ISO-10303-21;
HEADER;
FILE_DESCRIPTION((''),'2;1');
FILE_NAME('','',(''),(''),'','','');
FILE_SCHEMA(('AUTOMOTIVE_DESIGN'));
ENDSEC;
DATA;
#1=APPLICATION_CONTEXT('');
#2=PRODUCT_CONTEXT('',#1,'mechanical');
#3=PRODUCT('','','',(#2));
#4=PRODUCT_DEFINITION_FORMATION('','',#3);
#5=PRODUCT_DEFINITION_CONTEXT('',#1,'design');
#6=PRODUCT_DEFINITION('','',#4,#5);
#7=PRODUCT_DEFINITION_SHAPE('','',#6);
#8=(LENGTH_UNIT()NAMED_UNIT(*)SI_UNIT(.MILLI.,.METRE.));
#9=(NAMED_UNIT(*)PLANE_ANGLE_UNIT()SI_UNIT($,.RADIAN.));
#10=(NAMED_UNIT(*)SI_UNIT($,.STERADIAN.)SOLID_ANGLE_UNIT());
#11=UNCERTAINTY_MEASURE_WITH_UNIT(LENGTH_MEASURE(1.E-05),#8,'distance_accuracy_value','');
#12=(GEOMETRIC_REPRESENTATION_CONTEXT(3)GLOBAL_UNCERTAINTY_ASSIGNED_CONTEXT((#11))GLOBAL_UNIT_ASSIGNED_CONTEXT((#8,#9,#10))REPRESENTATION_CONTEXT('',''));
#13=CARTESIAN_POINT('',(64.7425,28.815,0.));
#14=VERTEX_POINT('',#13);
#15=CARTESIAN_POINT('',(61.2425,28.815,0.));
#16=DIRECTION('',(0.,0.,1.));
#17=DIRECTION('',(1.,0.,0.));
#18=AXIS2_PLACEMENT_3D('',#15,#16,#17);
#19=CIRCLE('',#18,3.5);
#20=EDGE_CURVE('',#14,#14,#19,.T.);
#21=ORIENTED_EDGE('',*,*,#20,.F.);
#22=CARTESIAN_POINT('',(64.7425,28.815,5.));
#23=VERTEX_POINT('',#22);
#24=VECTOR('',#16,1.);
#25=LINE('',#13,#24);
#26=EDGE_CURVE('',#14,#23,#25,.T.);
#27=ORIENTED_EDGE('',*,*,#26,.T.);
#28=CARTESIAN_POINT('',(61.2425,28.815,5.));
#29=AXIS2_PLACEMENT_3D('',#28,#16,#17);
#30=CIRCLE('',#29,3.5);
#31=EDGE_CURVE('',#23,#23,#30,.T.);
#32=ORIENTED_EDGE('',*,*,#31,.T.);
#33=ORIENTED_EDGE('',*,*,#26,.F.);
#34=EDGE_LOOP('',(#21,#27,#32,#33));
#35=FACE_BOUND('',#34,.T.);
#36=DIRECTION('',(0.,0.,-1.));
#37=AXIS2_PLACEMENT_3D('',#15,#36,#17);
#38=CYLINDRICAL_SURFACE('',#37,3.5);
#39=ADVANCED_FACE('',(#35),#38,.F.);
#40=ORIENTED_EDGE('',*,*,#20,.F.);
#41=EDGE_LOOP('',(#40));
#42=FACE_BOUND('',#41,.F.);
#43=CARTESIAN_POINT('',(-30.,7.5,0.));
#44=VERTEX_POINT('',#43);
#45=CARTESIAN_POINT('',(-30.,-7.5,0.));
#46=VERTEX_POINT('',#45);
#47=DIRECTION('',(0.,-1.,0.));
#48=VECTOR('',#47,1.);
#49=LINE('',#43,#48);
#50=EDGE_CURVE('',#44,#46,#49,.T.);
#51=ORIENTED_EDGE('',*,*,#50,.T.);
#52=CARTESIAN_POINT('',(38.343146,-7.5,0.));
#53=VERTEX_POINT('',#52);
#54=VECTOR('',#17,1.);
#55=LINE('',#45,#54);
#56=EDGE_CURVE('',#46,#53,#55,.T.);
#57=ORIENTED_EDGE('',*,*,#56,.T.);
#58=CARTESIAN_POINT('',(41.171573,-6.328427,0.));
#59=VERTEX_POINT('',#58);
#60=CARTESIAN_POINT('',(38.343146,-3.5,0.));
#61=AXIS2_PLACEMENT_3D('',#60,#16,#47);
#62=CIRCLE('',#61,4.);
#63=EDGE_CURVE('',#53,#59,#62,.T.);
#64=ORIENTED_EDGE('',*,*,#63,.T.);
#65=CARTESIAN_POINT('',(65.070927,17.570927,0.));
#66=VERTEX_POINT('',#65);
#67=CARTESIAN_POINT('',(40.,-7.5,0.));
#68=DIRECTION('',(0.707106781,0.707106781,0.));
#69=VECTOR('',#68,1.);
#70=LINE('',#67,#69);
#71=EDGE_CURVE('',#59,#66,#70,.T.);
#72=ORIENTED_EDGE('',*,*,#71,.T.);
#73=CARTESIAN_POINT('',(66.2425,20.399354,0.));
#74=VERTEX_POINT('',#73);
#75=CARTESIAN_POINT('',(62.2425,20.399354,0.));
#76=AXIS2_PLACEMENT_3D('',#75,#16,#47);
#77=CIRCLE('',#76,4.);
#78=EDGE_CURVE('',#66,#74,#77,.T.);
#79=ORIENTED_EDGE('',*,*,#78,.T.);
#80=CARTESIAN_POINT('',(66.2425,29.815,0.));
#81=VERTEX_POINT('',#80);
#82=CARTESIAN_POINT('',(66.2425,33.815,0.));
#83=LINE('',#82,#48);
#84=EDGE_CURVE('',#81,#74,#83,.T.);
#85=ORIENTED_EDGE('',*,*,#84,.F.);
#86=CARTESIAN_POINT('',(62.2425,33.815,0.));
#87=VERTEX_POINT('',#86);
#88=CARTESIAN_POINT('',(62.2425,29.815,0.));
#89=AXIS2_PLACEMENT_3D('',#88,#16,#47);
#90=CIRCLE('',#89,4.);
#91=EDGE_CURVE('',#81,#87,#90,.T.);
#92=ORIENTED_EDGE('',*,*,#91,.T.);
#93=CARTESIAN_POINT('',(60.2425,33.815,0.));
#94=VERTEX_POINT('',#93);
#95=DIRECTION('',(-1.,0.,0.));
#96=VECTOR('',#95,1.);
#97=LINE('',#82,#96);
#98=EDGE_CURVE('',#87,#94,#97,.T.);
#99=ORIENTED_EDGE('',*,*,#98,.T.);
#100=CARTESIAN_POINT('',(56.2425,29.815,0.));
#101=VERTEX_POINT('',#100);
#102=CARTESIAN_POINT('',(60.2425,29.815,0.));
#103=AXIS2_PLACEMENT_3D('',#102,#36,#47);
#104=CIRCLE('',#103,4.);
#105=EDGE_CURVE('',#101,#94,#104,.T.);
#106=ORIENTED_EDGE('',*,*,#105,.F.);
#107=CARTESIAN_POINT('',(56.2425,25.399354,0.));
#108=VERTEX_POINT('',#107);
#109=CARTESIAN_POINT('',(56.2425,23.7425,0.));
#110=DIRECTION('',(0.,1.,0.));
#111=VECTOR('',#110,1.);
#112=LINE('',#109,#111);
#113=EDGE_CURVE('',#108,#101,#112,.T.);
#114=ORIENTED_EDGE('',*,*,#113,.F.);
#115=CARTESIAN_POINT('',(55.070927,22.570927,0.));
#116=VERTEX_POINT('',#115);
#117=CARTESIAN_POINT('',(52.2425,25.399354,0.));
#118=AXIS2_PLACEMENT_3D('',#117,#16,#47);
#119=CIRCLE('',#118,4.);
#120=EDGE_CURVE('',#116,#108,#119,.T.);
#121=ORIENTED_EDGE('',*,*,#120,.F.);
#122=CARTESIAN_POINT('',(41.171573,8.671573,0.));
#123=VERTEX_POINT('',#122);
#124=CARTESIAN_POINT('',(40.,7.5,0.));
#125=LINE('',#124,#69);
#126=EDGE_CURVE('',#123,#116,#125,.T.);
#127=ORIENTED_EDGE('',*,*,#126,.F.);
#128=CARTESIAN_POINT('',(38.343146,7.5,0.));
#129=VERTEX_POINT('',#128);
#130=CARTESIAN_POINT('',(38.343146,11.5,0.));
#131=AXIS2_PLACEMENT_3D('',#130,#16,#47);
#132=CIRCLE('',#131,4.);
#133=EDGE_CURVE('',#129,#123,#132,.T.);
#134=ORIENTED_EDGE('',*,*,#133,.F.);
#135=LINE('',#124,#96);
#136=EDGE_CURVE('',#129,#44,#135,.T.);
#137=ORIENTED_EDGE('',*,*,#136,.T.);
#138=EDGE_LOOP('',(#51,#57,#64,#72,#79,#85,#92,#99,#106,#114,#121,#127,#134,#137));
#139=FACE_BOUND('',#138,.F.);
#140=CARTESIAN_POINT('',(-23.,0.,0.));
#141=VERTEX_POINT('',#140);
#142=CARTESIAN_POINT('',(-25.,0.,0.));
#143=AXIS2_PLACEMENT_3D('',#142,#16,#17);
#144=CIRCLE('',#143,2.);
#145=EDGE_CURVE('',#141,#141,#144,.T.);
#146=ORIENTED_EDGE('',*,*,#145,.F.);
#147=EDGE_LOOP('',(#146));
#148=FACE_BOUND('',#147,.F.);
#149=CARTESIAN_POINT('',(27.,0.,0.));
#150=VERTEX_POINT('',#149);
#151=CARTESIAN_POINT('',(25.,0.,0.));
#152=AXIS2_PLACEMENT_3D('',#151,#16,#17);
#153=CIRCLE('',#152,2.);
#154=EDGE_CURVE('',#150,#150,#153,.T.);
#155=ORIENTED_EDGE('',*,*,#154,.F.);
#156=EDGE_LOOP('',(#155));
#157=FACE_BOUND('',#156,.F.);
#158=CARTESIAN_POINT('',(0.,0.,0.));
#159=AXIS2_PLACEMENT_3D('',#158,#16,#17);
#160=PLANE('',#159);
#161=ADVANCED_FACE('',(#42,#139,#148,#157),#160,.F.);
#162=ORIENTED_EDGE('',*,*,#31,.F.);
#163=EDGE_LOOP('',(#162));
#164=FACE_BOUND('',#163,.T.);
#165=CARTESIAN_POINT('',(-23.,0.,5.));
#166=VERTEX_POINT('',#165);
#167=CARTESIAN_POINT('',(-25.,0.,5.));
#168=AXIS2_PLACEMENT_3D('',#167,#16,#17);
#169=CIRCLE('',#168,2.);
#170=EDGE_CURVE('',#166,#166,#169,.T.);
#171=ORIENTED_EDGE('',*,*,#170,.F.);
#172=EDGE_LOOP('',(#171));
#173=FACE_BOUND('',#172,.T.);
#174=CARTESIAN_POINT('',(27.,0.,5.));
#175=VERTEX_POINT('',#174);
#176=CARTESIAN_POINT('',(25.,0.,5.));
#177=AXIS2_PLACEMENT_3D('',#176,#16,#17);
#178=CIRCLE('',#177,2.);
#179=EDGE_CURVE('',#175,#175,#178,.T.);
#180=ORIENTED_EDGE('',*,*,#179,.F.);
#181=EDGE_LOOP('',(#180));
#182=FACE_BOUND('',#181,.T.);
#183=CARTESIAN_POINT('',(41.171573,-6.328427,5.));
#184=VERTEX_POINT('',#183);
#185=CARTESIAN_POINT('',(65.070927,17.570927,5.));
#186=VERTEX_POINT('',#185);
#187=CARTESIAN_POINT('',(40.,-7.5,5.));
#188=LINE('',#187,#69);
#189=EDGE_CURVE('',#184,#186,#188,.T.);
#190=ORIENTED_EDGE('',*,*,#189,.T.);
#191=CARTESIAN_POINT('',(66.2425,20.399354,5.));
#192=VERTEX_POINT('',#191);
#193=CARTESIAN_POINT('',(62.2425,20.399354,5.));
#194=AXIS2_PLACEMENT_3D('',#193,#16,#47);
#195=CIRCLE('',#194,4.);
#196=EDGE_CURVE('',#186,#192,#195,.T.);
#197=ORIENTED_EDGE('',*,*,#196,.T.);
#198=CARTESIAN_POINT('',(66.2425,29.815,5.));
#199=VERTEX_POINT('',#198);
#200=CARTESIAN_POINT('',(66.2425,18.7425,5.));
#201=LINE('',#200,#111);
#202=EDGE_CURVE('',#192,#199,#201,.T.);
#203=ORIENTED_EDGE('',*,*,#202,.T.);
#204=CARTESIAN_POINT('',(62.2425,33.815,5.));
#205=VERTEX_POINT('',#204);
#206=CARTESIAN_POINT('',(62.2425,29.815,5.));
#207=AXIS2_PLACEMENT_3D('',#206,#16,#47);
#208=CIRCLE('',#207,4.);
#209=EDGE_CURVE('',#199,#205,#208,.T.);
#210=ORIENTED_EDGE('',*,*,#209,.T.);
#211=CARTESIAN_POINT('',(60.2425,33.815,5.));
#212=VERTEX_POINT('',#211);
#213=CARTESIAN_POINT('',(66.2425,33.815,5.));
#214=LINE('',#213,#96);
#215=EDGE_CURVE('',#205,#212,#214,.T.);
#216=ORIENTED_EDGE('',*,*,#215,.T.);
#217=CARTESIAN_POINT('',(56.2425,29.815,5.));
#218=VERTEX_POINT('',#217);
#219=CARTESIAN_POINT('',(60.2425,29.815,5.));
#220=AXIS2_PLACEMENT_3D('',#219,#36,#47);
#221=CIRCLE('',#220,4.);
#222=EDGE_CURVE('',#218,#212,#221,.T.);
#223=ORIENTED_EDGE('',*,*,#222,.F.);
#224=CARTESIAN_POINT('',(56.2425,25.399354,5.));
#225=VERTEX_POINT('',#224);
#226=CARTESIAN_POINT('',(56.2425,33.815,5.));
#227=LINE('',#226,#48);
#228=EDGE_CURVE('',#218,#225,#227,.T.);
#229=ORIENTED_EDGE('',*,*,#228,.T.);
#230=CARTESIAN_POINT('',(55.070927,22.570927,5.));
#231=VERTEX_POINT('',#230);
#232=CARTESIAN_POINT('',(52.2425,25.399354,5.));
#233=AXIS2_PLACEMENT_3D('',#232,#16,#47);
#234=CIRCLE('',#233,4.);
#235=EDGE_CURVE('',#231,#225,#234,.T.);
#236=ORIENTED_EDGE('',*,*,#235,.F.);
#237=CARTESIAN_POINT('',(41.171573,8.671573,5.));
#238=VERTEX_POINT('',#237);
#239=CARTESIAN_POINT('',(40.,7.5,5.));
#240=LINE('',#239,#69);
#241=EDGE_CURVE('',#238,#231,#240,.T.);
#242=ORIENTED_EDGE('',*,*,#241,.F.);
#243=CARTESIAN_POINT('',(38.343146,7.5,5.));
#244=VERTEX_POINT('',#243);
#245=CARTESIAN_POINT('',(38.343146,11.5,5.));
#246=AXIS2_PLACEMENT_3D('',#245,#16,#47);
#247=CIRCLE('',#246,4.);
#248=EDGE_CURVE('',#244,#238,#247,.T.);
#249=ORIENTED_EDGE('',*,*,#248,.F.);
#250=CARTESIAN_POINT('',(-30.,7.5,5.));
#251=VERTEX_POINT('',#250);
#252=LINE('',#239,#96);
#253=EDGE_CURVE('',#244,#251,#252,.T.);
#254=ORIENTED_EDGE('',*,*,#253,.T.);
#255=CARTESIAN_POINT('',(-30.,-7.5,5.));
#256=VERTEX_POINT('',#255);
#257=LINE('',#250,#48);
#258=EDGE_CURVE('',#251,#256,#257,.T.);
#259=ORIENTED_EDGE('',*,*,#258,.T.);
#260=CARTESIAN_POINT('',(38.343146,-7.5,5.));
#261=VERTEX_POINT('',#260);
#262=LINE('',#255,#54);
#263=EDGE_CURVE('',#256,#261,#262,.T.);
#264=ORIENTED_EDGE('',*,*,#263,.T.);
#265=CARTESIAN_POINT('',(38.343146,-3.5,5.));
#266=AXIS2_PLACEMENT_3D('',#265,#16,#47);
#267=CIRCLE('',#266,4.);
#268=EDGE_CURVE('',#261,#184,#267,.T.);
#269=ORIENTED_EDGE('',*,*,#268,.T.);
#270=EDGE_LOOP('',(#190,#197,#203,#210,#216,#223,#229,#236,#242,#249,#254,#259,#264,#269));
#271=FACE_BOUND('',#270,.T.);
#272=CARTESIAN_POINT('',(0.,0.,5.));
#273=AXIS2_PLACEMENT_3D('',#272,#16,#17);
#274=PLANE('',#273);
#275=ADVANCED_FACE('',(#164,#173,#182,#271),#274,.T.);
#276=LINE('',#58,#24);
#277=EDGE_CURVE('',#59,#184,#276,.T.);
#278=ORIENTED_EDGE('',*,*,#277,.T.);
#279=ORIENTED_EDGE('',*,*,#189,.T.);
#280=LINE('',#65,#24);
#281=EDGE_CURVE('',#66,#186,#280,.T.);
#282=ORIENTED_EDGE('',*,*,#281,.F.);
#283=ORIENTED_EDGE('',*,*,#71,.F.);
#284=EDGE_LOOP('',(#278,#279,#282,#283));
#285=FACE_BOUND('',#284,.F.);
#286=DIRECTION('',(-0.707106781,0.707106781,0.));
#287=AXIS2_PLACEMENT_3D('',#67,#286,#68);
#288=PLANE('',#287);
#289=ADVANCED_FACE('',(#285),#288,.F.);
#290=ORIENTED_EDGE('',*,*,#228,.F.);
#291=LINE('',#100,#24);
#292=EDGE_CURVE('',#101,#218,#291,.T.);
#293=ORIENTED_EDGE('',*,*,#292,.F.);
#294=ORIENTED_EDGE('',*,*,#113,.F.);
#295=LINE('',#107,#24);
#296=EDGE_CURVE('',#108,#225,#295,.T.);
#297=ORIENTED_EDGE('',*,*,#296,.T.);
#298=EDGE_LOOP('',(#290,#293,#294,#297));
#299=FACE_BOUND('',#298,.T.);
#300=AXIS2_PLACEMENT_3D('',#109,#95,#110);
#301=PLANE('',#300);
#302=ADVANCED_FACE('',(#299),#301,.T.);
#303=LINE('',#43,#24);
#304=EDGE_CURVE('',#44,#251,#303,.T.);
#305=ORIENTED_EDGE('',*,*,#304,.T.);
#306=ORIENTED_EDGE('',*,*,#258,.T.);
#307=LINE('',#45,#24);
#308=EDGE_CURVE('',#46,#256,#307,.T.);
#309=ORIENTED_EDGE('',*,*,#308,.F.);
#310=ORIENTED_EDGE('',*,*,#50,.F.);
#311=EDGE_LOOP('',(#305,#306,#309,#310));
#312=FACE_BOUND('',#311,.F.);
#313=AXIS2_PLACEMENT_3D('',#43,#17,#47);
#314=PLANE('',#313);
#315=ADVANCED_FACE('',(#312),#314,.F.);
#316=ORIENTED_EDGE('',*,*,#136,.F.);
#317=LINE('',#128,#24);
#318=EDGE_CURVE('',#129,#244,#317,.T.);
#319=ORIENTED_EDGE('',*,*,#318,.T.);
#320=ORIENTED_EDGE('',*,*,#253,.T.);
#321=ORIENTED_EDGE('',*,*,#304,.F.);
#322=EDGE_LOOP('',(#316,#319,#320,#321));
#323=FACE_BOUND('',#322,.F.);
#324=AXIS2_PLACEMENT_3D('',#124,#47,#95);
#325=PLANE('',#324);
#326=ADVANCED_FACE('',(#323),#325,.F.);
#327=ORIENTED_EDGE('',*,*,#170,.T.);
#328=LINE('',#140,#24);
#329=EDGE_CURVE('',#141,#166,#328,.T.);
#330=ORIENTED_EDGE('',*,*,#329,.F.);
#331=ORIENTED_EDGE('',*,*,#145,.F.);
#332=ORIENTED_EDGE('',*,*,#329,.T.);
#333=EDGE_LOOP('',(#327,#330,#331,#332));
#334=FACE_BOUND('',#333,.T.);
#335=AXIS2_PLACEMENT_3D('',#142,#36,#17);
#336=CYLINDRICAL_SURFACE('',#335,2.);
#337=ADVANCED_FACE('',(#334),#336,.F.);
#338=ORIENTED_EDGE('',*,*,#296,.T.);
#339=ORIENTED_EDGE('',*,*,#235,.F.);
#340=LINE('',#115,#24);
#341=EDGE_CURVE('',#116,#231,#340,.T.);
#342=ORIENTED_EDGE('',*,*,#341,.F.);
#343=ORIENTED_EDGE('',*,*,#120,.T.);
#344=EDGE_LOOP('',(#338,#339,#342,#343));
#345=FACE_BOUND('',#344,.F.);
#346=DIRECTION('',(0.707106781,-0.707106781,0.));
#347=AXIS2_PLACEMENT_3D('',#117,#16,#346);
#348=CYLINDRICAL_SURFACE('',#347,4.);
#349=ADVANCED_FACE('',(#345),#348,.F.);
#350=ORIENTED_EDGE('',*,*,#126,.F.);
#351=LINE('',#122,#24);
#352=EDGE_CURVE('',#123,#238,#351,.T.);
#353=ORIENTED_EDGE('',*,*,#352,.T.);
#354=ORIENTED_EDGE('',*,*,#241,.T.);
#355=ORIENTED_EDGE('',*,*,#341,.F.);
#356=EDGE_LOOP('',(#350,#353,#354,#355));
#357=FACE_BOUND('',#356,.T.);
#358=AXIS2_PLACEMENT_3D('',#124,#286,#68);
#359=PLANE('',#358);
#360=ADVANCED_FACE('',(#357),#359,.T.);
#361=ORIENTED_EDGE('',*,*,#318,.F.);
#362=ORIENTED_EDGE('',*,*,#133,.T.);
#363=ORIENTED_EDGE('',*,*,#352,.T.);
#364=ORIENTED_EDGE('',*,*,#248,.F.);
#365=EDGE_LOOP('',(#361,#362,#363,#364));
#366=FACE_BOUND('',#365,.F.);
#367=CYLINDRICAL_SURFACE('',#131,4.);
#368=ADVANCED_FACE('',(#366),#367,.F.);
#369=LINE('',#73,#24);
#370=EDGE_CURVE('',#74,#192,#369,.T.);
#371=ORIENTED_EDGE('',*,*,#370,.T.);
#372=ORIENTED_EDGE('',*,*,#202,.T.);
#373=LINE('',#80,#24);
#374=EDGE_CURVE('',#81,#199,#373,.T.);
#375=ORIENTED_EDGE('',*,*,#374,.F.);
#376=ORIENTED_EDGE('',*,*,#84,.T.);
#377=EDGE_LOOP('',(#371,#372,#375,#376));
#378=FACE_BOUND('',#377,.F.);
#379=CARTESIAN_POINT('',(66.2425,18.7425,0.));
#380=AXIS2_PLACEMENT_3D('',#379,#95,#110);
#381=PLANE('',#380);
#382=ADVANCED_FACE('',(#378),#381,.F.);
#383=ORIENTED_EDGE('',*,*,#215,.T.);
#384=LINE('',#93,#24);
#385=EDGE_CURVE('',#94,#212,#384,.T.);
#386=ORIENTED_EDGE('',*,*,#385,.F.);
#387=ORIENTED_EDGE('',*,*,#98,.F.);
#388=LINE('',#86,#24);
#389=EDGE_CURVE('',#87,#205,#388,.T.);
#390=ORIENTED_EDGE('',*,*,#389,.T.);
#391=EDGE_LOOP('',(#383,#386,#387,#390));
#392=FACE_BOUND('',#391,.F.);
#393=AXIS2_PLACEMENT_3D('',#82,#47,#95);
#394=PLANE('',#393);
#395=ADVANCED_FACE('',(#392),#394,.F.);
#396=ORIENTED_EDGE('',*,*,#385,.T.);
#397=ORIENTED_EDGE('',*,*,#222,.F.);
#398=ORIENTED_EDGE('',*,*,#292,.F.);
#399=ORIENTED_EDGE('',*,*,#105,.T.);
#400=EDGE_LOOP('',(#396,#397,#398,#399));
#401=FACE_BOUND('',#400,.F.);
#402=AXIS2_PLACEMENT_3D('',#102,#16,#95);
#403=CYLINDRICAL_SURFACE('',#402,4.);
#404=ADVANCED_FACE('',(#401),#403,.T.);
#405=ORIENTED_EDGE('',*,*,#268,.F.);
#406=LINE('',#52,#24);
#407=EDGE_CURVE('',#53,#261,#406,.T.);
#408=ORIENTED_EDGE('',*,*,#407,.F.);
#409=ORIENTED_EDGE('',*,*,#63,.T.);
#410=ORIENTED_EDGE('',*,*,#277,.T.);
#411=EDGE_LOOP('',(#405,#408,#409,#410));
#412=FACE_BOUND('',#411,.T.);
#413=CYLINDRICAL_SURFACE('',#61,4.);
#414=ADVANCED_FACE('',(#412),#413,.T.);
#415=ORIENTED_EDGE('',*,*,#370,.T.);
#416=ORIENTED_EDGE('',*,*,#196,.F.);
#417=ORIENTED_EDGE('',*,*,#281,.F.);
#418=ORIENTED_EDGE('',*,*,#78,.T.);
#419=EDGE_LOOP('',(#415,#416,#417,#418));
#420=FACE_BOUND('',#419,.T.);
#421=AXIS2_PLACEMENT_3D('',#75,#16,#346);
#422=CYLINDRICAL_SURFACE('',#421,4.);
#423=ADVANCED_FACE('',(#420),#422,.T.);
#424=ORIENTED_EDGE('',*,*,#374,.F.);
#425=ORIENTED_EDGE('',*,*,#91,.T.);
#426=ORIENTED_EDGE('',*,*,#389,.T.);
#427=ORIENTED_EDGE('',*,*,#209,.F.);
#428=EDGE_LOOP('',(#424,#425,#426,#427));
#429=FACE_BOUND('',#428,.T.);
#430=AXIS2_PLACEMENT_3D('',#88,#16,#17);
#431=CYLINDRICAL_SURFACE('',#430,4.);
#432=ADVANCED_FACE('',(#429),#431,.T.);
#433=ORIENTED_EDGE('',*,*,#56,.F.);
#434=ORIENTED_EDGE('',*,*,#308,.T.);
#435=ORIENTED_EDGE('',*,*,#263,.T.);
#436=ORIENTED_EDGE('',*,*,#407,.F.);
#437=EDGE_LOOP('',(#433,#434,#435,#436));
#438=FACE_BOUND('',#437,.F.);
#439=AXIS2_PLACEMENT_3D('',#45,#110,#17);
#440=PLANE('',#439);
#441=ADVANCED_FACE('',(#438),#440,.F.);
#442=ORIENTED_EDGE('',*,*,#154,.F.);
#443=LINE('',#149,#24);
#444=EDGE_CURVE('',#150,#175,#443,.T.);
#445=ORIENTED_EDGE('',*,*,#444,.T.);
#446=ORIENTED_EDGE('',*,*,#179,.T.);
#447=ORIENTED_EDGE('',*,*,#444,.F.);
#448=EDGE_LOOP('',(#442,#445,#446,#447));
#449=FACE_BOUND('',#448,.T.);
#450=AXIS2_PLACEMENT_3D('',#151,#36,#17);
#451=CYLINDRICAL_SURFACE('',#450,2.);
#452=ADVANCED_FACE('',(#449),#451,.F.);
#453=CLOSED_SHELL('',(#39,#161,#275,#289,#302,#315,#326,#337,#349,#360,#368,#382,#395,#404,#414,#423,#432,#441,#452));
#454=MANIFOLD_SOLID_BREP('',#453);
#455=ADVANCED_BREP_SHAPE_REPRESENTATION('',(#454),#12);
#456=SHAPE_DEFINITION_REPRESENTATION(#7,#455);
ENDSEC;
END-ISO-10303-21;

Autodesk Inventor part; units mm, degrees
ref_plane "YZ Plane" through (0, 0, 0) normal (1, 0, 0) x (0, 1, 0)
ref_plane "XZ Plane" through (0, 0, 0) normal (0, 1, 0) x (-1, 0, 0)
ref_plane "XY Plane" through (0, 0, 0) normal (0, 0, 1) x (1, 0, 0)
ref_plane "Work Plane1" through (0, 0, 0) normal (0, 0, 1) x (1, 0, 0)
sketch "Sketch1" plane through (0, 0, 0) normal (0, 0, 1) x (1, 0, 0)
  line L0 (28, 30) -> (30, 28) construction
  line L1 (28, 30) -> (-28, 30) construction
  line L2 (-30, 28) -> (-28, 30) construction
  line L3 (-30, 28) -> (-30, -28) construction
  line L4 (-28, -30) -> (-30, -28) construction
  line L5 (-28, -30) -> (28, -30) construction
  line L6 (30, -28) -> (28, -30) construction
  line L7 (30, -28) -> (30, 28) construction
  circle A0 centre (25, 0) radius 1.3 construction
  circle A1 centre (-25, 0) radius 1.3 construction
  circle A2 centre (0, 0) radius 7.5 construction
  line L8 (-30, -7.5) -> (40, -7.5)
  line L9 (40, -7.5) -> (40, 7.5)
  line L10 (40, 7.5) -> (-30, 7.5)
  line L11 (-30, 7.5) -> (-30, -7.5)
  line L12 (40, -7.5) -> (66.2425, 18.7425)
  line L13 (40, -7.5) -> (77.1125, -7.5) construction
  line L14 (66.2425, 18.7425) -> (66.2425, 27.2511)
  line L15 (40, 7.5) -> (56.2425, 23.7425)
  line L16 (40, 7.5) -> (62.9703, 7.5) construction
  line L17 (56.2425, 23.7425) -> (56.2425, 27.2511)
  line L18 (66.2425, 27.2511) -> (66.2425, 33.815)
  line L19 (66.2425, 33.815) -> (56.2425, 33.815)
  line L20 (56.2425, 33.815) -> (56.2425, 27.2511)
  circle A3 centre (-25, 0) radius 2
  circle A4 centre (25, 0) radius 2
  circle A5 centre (61.2425, 28.815) radius 3.5
  line L21 (79.415, 27.3813) -> (49.415, 27.3813) construction
  line L22 (79.415, 30.2423) -> (49.415, 30.2423) construction
  line L23 (62.6454, 27.3813) -> (62.6454, -21.1882) construction
  line L24 (59.7845, 27.3813) -> (59.7845, -21.1882) construction
  point P0 (0, 0)
  dimension "d0" = 70
  dimension "d1" = 45
  dimension "d2" = 45
  dimension "d3" = 10
  dimension "d4" = 15
  dimension "d5" = 7.5
  dimension "d7" = 4
  dimension "d8" = 4
  dimension "d11" = 7
  dimension "d12" = 5
  dimension "d13" = 5
extrude "Extrusion1" add sketch "Sketch1" along normal blind 5
fillet "Fillet1" radius 4 6 edges at (40, 7.5, 2.5) (56.2425, 33.815, 2.5) (66.2425, 33.815, 2.5) (66.2425, 18.7425, 2.5) (40, -7.5, 2.5) (56.2425, 23.7425, 2.5)
properties part number "10_MiniSPIM_Sampleholder"
